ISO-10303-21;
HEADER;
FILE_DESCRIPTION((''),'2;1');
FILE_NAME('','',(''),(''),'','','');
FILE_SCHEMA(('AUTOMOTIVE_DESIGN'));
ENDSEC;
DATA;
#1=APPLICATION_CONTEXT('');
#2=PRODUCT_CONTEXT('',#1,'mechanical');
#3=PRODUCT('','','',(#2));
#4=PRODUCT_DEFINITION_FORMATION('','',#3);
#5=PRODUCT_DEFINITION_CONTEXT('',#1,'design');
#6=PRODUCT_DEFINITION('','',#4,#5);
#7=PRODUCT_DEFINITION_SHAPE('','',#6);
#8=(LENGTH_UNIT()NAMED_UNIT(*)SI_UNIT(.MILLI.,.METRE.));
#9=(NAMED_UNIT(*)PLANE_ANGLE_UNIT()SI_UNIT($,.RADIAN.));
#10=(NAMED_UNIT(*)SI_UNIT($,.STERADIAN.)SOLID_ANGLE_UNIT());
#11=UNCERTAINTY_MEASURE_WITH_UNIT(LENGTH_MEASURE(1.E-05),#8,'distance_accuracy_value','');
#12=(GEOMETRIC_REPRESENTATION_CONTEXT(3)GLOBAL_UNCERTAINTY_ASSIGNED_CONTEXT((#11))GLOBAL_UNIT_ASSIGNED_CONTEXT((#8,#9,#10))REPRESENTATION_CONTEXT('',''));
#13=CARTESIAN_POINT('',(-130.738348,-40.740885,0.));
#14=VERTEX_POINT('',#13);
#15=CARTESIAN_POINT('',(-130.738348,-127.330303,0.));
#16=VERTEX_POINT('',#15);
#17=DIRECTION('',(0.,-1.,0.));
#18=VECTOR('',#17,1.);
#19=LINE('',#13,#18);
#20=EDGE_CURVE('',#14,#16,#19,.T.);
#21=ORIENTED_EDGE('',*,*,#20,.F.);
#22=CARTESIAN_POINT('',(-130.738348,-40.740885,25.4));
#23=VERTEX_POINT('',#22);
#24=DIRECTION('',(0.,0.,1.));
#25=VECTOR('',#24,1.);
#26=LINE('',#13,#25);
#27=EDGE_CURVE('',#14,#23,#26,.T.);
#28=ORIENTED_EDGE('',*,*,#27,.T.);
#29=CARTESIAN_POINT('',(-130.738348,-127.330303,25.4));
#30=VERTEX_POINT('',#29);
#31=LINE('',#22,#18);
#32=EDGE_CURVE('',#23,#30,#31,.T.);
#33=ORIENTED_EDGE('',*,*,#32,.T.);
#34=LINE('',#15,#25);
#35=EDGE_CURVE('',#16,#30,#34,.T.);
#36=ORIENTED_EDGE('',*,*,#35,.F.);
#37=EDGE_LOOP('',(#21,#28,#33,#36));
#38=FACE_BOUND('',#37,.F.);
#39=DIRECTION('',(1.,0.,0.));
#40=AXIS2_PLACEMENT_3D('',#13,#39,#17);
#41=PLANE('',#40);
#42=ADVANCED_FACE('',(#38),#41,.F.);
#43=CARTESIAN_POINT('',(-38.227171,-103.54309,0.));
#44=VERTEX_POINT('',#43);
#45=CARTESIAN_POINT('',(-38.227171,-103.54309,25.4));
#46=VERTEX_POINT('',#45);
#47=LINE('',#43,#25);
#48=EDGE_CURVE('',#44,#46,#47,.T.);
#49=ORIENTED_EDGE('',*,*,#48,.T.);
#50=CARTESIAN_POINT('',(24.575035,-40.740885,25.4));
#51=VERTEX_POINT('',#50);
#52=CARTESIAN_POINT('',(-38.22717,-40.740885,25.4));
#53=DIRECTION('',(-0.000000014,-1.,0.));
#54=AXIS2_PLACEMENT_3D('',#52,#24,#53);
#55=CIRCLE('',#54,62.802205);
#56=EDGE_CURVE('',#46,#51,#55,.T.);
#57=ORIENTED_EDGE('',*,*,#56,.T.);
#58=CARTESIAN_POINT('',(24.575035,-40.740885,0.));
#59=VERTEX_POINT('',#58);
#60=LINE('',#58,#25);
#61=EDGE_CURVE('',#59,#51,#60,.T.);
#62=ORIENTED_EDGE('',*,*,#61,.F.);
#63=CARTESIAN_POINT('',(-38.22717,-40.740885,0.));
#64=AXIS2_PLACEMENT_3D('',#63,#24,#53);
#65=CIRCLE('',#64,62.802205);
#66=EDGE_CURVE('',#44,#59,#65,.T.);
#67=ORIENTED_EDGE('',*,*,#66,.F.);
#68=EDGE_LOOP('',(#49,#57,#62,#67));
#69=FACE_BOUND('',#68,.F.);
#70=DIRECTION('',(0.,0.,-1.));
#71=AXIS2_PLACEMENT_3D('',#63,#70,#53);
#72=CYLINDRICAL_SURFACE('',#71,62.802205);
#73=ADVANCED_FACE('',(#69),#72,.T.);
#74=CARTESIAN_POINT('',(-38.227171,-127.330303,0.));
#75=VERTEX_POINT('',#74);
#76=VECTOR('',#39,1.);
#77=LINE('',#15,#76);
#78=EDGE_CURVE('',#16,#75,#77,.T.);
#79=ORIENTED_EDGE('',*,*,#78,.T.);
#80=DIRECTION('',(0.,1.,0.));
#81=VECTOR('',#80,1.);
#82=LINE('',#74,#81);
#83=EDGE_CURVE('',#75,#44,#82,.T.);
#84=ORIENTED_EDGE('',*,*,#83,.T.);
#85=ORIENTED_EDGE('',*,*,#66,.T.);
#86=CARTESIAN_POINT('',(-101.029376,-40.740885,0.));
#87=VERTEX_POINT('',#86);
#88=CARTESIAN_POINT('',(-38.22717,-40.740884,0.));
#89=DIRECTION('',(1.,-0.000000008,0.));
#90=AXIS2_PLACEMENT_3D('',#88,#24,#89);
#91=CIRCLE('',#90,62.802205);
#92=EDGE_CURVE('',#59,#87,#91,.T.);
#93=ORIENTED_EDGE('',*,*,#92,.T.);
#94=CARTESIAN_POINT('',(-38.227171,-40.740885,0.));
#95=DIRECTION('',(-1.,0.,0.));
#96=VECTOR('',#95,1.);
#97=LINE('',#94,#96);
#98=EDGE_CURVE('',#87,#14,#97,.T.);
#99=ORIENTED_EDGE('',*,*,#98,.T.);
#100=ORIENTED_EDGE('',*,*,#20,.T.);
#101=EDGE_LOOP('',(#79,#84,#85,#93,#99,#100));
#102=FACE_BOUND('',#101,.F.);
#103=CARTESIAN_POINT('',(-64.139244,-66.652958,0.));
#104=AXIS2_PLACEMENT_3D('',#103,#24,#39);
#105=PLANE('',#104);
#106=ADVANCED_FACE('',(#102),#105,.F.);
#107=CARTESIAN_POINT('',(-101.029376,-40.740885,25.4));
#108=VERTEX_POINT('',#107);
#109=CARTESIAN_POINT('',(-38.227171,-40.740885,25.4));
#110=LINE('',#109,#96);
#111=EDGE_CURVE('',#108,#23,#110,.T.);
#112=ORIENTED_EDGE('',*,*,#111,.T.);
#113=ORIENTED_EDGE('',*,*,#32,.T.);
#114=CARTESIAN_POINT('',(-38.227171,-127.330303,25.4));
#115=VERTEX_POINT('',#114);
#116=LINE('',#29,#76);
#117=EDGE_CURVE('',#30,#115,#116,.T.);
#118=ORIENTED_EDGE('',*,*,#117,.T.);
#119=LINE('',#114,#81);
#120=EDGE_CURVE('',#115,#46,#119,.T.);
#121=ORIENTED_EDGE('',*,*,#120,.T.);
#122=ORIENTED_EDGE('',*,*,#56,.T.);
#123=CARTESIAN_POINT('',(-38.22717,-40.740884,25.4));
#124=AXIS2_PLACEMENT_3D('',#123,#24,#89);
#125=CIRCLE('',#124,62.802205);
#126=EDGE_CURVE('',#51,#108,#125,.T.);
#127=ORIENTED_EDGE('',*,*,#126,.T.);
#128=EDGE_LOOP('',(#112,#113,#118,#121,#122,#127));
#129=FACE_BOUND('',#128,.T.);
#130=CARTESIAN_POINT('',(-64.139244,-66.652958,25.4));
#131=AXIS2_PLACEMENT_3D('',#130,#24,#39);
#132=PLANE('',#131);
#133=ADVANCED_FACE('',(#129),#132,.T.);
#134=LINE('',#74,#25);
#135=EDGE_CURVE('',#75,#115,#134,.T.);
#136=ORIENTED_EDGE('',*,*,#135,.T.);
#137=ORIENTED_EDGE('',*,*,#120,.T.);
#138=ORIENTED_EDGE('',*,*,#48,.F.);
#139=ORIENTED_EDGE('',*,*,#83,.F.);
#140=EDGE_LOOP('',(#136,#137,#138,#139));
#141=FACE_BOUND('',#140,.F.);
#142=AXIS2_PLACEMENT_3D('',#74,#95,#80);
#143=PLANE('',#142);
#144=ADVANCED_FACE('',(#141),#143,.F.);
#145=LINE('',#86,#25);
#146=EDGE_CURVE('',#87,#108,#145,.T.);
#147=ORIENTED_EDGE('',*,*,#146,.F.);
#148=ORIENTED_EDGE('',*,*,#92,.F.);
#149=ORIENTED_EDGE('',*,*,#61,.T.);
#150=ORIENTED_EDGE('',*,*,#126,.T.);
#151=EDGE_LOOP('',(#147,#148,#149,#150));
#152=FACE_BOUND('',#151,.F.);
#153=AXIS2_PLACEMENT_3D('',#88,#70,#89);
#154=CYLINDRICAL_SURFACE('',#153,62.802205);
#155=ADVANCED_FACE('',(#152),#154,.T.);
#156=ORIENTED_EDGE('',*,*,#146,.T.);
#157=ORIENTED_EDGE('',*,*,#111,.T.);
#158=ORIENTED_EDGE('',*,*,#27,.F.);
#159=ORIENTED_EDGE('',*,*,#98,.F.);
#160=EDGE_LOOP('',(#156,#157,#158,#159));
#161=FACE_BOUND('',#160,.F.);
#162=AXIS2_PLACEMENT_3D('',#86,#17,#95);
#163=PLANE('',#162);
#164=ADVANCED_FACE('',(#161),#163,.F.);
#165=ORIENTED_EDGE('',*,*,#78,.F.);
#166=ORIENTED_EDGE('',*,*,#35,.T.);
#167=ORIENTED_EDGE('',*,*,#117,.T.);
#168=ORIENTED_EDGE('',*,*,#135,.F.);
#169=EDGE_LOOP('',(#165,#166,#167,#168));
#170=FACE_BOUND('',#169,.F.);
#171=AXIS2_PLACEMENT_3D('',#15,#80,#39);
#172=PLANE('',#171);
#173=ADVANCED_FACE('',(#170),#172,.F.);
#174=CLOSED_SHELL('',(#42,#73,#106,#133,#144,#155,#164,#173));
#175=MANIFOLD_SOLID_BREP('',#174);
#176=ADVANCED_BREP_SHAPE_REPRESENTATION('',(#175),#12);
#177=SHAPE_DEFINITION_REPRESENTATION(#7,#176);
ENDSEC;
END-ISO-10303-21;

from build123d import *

# Parameters (mm, degrees)
F1_DEPTH = 25.4


with BuildPart() as f1:
    # F0 (on Top) → F1 (new body)
    with BuildSketch(Plane.XY):
        with BuildLine():
            Line((-38.227171, -40.740885), (-101.029376, -40.740885))
            ThreePointArc((-101.029376, -40.740885), (-82.635036, -85.14875), (-38.227171, -103.54309))
            Line((-38.227171, -103.54309), (-38.227171, -40.740885))
        make_face()
        with BuildLine():
            Line((-101.029376, -40.740885), (-130.738348, -40.740885))
            Line((-130.738348, -40.740885), (-130.738348, -127.330303))
            Line((-130.738348, -127.330303), (-38.227171, -127.330303))
            Line((-38.227171, -127.330303), (-38.227171, -103.54309))
            ThreePointArc((-38.227171, -103.54309), (-82.635036, -85.14875), (-101.029376, -40.740885))
        make_face()
        with BuildLine():
            ThreePointArc((24.575035, -40.740885), (-38.227171, 22.061321), (-101.029376, -40.740885))
            Line((-101.029376, -40.740885), (-38.227171, -40.740885))
            Line((-38.227171, -40.740885), (-38.227171, -103.54309))
            ThreePointArc((-38.227171, -103.54309), (6.180695, -85.14875), (24.575035, -40.740885))
        make_face()
    extrude(amount=F1_DEPTH)


solid = f1.part
